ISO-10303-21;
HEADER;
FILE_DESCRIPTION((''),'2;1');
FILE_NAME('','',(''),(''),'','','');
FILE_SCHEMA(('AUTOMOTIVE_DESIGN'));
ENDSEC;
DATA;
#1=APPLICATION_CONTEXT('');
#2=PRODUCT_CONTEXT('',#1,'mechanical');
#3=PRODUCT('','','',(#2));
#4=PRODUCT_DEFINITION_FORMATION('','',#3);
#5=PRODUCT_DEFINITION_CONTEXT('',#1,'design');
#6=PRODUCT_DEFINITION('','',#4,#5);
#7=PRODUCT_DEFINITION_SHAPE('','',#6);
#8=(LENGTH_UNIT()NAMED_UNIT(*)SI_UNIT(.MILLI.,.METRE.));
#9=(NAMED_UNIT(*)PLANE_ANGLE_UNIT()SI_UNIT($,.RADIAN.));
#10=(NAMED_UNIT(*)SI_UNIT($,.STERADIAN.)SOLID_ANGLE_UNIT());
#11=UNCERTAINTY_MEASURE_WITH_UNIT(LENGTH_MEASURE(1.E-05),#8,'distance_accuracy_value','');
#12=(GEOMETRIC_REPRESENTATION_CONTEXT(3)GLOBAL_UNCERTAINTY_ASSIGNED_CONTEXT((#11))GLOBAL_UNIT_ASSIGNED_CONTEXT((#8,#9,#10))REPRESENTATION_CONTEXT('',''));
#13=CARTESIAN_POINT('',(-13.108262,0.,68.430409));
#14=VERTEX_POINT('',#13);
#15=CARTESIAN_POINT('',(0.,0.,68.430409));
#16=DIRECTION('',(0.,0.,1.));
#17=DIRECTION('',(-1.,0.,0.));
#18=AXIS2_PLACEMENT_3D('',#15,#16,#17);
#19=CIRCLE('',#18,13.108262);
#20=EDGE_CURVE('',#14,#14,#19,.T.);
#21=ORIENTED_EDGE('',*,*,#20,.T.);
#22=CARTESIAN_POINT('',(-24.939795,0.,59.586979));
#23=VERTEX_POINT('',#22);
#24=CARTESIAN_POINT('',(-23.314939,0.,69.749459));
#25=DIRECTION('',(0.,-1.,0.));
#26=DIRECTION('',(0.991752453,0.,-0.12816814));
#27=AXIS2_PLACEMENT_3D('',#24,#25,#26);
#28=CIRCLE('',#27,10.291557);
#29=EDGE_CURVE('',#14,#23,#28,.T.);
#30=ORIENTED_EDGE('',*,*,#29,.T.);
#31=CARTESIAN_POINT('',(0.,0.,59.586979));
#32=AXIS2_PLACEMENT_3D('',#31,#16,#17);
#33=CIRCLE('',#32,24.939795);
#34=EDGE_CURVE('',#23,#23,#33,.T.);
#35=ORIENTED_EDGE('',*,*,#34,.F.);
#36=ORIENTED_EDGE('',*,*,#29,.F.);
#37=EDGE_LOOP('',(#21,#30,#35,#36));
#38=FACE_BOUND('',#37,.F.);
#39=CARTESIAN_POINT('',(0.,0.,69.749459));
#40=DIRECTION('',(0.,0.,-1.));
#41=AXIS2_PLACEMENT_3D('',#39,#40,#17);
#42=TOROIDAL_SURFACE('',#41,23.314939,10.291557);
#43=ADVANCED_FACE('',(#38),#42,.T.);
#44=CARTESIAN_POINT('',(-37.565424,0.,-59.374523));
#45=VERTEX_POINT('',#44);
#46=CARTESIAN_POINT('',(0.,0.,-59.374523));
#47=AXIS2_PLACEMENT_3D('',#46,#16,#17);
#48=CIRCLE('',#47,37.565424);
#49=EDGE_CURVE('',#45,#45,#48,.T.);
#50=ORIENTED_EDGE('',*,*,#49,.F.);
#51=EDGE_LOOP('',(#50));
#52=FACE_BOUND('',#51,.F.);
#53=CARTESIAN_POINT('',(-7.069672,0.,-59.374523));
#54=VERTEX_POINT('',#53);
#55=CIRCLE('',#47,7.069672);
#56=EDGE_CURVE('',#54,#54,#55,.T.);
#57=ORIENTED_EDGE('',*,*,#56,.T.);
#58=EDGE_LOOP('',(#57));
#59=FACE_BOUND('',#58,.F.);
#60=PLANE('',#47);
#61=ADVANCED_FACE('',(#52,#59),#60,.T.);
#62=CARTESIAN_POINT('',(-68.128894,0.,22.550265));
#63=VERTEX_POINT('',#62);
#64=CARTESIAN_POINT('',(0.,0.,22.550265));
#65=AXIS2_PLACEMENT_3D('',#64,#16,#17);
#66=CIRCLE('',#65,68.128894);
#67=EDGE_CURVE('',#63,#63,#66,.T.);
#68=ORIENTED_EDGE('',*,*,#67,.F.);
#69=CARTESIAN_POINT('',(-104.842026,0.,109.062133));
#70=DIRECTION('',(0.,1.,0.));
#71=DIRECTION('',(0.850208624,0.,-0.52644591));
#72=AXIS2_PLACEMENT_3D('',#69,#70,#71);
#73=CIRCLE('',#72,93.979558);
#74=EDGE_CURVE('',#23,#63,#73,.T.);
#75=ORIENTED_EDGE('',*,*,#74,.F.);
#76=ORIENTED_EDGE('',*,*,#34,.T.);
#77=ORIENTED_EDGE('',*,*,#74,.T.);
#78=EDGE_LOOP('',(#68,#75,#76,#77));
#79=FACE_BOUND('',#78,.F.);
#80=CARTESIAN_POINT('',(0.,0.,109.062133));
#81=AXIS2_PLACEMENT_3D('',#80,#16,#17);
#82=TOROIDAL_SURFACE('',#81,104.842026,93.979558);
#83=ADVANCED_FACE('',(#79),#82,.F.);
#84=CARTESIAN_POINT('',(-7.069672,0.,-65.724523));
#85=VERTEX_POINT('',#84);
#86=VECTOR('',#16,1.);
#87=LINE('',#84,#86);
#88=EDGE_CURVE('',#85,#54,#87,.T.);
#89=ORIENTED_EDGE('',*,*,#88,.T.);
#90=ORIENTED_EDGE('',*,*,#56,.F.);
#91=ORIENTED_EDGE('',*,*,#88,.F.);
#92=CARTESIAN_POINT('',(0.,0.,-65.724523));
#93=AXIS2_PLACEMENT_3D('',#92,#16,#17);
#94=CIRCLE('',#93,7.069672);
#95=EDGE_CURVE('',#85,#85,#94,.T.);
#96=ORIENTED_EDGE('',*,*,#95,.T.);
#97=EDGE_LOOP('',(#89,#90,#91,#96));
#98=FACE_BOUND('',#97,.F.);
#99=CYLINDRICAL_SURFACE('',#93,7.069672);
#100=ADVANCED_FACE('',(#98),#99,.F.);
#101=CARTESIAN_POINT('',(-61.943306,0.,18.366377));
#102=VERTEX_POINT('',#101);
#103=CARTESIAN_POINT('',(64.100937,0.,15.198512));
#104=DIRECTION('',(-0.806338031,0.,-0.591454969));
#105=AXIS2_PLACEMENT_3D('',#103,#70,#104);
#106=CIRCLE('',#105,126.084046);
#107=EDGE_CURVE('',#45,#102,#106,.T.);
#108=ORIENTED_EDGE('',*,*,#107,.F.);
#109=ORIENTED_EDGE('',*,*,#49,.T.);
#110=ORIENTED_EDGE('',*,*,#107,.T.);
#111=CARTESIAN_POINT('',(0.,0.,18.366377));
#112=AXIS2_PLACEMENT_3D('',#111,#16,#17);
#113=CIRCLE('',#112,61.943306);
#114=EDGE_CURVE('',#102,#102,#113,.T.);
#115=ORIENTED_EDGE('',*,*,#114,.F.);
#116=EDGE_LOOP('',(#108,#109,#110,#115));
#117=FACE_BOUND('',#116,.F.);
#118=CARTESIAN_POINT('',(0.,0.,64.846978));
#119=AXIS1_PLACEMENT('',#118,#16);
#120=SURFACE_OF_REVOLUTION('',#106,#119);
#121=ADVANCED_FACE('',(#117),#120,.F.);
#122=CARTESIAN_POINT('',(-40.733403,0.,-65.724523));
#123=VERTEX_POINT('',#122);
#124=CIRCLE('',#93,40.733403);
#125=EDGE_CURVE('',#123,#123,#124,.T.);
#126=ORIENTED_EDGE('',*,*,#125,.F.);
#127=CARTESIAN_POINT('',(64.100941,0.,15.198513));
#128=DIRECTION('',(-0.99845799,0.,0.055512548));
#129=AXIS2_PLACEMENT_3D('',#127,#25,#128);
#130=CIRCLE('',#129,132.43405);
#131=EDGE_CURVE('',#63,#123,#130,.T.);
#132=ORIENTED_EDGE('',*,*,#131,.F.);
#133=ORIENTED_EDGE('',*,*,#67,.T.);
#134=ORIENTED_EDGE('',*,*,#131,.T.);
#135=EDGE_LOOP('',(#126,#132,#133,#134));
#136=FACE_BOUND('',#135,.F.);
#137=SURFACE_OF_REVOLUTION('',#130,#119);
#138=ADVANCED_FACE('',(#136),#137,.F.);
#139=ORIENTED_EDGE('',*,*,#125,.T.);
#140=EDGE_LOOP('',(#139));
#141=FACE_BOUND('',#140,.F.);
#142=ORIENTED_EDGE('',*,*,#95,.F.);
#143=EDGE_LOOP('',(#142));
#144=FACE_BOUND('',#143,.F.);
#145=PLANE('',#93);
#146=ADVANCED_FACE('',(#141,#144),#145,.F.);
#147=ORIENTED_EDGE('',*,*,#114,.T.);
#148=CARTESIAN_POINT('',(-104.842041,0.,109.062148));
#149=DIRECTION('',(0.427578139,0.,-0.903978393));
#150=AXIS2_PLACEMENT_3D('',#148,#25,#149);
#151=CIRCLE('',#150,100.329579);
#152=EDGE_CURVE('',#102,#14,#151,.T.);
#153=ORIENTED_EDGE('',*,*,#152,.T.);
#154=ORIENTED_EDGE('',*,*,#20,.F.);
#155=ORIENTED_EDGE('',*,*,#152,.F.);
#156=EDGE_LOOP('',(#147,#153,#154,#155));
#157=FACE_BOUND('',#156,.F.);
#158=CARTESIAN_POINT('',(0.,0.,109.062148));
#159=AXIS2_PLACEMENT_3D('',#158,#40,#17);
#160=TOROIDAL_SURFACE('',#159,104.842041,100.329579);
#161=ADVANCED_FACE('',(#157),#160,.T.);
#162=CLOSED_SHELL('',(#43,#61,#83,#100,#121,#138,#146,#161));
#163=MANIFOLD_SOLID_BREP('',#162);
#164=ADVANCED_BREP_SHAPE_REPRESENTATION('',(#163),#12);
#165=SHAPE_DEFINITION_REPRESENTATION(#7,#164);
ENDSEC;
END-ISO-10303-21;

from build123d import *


with BuildPart() as f2:
    # F0 (on Front) → F2 (revolve)
    with BuildSketch(Plane.XZ):
        with BuildLine():
            Line((-7.069672, -65.724523), (-7.069672, -59.374523))
            Line((-7.069672, -59.374523), (-37.565424, -59.374523))
            ThreePointArc((-37.565424, -59.374523), (-56.206759, -22.527405), (-61.943306, 18.366377))
            ThreePointArc((-61.943306, 18.366377), (-33.022265, 39.005427), (-13.108262, 68.430409))
            ThreePointArc((-13.108262, 68.430409), (-29.47639, 77.9928), (-24.939795, 59.586979))
            ThreePointArc((-24.939795, 59.586979), (-43.664291, 37.721807), (-68.128894, 22.550265))
            ThreePointArc((-68.128894, 22.550265), (-62.382124, -24.054662), (-40.733403, -65.724523))
            Line((-40.733403, -65.724523), (-7.069672, -65.724523))
        make_face()
    revolve(axis=Axis((0, 0, 64.846978), (0, 0, 1)))


solid = f2.part
